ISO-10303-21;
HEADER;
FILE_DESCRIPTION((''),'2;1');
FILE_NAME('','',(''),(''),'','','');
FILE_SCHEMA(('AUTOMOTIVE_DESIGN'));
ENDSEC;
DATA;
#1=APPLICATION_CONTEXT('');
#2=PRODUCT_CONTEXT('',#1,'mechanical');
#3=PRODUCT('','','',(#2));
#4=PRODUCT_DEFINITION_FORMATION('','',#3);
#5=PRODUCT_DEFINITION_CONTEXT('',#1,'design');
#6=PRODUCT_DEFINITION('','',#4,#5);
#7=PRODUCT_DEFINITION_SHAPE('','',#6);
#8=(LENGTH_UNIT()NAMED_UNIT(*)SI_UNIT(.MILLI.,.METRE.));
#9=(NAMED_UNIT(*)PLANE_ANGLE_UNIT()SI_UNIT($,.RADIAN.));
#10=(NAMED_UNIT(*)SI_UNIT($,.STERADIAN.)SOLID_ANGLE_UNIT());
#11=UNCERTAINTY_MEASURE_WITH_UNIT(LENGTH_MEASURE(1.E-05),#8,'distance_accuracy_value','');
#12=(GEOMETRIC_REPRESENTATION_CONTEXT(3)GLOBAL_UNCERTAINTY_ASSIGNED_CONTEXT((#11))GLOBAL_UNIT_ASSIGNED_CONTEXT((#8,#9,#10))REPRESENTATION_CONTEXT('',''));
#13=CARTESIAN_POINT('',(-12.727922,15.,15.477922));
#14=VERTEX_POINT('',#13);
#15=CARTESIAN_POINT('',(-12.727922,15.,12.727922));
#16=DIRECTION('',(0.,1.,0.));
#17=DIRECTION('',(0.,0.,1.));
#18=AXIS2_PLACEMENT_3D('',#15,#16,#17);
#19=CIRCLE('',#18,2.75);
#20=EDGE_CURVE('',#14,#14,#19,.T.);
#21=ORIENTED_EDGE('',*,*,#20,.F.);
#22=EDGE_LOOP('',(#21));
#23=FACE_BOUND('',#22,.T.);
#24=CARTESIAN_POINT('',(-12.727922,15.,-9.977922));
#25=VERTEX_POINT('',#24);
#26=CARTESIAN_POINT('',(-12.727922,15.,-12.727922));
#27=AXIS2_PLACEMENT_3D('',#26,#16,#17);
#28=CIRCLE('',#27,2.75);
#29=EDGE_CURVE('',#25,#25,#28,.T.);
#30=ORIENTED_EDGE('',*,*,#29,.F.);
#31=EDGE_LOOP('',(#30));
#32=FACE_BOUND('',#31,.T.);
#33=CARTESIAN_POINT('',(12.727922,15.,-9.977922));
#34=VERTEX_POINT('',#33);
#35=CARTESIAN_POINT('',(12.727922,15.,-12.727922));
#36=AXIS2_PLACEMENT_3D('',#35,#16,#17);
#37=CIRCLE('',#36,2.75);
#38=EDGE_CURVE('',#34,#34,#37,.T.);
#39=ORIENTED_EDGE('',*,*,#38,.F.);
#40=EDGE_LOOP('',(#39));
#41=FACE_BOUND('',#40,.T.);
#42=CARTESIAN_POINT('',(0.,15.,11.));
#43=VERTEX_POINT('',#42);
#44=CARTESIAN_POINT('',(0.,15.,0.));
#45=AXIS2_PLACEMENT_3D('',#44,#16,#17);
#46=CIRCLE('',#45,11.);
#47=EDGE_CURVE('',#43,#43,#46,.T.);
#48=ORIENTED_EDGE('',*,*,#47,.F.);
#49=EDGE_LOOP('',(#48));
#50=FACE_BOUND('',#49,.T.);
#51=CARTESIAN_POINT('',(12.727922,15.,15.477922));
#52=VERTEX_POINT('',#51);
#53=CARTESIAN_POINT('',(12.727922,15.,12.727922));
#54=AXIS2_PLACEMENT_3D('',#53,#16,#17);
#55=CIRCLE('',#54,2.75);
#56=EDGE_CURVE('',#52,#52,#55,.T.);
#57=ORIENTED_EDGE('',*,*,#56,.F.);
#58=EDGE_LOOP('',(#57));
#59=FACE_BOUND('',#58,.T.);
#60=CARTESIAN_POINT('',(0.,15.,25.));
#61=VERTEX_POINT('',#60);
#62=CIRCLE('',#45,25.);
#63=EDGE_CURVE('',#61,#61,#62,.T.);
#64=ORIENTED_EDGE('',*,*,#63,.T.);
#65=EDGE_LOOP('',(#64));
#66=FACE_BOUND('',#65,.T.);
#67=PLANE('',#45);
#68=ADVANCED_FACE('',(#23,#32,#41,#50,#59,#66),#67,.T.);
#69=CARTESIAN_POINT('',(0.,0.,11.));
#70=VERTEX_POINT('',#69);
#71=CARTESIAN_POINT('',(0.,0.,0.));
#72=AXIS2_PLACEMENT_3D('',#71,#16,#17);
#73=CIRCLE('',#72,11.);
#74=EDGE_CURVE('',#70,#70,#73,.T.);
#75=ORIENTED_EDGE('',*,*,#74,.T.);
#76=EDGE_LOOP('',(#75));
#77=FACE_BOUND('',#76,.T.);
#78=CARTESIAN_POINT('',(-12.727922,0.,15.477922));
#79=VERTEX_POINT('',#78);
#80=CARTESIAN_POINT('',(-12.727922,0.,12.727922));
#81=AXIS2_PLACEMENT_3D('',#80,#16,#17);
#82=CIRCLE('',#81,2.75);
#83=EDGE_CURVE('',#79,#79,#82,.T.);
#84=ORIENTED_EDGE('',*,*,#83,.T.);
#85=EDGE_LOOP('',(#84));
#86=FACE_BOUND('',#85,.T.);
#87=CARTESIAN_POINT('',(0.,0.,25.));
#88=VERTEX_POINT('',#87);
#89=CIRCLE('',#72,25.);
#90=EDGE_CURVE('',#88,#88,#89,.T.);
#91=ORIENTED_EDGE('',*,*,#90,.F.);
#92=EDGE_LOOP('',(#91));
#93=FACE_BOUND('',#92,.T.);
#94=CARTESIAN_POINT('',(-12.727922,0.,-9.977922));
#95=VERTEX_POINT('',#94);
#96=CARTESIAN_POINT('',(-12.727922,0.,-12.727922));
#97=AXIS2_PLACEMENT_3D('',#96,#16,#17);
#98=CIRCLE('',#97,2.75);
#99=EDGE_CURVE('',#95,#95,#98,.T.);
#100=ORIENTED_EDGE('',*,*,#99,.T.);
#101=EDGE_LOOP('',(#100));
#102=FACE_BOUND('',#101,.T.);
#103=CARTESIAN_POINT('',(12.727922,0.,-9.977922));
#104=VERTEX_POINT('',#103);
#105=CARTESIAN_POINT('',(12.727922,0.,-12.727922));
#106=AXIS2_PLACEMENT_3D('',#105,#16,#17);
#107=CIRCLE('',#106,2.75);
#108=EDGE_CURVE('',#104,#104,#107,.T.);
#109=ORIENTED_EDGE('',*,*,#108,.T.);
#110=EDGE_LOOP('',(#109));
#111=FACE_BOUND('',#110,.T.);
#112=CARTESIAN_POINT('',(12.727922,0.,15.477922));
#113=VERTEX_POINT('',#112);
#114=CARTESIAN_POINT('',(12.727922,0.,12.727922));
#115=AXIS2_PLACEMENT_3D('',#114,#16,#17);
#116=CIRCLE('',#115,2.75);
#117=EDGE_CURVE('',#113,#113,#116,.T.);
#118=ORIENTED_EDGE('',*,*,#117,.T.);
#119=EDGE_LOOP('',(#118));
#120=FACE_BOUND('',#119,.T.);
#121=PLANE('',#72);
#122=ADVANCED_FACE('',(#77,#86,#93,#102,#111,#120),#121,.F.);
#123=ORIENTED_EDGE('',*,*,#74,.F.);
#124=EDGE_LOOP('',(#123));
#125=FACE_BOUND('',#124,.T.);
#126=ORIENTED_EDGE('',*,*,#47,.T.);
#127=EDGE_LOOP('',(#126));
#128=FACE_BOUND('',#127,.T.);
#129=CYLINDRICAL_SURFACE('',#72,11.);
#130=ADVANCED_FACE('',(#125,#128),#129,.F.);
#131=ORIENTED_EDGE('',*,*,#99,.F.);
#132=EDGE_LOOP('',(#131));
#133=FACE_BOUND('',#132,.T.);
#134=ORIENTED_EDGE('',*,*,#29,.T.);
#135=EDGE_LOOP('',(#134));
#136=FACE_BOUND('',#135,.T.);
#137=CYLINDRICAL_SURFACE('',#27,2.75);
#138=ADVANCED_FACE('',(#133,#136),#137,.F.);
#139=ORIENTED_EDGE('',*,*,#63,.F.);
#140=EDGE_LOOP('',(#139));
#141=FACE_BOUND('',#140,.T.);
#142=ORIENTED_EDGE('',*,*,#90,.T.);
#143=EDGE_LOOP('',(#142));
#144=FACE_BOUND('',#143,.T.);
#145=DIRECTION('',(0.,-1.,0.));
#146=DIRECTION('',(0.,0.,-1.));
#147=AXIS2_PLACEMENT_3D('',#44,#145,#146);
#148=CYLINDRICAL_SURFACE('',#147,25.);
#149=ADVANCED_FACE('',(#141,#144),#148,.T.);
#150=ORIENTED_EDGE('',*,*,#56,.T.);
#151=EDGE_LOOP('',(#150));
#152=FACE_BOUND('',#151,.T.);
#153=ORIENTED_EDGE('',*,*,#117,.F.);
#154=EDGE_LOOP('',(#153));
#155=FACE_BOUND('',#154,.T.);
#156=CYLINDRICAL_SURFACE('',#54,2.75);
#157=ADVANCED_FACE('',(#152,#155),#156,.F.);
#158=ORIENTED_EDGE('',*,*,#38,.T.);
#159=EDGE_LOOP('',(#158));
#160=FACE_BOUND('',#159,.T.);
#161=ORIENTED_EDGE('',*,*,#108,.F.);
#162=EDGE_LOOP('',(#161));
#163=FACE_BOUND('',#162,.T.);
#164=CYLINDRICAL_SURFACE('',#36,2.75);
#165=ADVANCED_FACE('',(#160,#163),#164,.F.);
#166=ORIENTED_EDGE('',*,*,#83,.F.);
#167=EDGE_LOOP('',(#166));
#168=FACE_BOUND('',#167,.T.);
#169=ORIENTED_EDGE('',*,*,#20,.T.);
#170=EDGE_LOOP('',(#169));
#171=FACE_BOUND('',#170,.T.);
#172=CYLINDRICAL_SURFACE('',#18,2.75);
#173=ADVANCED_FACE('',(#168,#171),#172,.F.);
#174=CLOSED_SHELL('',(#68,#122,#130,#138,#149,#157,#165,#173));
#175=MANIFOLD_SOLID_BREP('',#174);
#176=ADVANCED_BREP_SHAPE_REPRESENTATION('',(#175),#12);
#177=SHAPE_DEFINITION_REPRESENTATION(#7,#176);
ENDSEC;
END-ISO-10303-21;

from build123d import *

# Parameters (mm, degrees)
SKETCH_1_R          = 25
EXTRUDE_1_DEPTH     = 15
SKETCH_2_R          = 11
CUT_EXTRUDE_1_DEPTH = 39.405728739
HOLE_WIZARD_M5_1_D  = 5.5


with BuildPart() as part:
    # ｽｹｯﾁ1 → ﾎﾞｽ - 押し出し1 (new body)
    with BuildSketch(Plane(origin=(0, 0, 0), x_dir=(1, 0, 0), z_dir=(0, 1, 0))):
        with Locations(Location((0, 0, 0), (0, 0, 270))):
            Circle(SKETCH_1_R)
    extrude(amount=EXTRUDE_1_DEPTH)

    # ｽｹｯﾁ2 → ｶｯﾄ - 押し出し1 (cut, through all)
    with BuildSketch(Plane(origin=(0, 15, 0), x_dir=(1, 0, 0), z_dir=(0, 1, 0))):
        with Locations(Location((0, 0, 0), (0, 0, 270))):
            Circle(SKETCH_2_R)
    extrude(amount=-CUT_EXTRUDE_1_DEPTH, mode=Mode.SUBTRACT)

    # M5 すきま穴1 (through all)
    with Locations(Plane(origin=(0, 15, 0), x_dir=(1, 0, 0), z_dir=(0, 1, 0))):
        with Locations((-12.727922061, 12.727922061), (12.727922061, -12.727922061), (-12.727922061, -12.727922061), (12.727922061, 12.727922061)):
            Hole(HOLE_WIZARD_M5_1_D / 2)


solid = part.part
